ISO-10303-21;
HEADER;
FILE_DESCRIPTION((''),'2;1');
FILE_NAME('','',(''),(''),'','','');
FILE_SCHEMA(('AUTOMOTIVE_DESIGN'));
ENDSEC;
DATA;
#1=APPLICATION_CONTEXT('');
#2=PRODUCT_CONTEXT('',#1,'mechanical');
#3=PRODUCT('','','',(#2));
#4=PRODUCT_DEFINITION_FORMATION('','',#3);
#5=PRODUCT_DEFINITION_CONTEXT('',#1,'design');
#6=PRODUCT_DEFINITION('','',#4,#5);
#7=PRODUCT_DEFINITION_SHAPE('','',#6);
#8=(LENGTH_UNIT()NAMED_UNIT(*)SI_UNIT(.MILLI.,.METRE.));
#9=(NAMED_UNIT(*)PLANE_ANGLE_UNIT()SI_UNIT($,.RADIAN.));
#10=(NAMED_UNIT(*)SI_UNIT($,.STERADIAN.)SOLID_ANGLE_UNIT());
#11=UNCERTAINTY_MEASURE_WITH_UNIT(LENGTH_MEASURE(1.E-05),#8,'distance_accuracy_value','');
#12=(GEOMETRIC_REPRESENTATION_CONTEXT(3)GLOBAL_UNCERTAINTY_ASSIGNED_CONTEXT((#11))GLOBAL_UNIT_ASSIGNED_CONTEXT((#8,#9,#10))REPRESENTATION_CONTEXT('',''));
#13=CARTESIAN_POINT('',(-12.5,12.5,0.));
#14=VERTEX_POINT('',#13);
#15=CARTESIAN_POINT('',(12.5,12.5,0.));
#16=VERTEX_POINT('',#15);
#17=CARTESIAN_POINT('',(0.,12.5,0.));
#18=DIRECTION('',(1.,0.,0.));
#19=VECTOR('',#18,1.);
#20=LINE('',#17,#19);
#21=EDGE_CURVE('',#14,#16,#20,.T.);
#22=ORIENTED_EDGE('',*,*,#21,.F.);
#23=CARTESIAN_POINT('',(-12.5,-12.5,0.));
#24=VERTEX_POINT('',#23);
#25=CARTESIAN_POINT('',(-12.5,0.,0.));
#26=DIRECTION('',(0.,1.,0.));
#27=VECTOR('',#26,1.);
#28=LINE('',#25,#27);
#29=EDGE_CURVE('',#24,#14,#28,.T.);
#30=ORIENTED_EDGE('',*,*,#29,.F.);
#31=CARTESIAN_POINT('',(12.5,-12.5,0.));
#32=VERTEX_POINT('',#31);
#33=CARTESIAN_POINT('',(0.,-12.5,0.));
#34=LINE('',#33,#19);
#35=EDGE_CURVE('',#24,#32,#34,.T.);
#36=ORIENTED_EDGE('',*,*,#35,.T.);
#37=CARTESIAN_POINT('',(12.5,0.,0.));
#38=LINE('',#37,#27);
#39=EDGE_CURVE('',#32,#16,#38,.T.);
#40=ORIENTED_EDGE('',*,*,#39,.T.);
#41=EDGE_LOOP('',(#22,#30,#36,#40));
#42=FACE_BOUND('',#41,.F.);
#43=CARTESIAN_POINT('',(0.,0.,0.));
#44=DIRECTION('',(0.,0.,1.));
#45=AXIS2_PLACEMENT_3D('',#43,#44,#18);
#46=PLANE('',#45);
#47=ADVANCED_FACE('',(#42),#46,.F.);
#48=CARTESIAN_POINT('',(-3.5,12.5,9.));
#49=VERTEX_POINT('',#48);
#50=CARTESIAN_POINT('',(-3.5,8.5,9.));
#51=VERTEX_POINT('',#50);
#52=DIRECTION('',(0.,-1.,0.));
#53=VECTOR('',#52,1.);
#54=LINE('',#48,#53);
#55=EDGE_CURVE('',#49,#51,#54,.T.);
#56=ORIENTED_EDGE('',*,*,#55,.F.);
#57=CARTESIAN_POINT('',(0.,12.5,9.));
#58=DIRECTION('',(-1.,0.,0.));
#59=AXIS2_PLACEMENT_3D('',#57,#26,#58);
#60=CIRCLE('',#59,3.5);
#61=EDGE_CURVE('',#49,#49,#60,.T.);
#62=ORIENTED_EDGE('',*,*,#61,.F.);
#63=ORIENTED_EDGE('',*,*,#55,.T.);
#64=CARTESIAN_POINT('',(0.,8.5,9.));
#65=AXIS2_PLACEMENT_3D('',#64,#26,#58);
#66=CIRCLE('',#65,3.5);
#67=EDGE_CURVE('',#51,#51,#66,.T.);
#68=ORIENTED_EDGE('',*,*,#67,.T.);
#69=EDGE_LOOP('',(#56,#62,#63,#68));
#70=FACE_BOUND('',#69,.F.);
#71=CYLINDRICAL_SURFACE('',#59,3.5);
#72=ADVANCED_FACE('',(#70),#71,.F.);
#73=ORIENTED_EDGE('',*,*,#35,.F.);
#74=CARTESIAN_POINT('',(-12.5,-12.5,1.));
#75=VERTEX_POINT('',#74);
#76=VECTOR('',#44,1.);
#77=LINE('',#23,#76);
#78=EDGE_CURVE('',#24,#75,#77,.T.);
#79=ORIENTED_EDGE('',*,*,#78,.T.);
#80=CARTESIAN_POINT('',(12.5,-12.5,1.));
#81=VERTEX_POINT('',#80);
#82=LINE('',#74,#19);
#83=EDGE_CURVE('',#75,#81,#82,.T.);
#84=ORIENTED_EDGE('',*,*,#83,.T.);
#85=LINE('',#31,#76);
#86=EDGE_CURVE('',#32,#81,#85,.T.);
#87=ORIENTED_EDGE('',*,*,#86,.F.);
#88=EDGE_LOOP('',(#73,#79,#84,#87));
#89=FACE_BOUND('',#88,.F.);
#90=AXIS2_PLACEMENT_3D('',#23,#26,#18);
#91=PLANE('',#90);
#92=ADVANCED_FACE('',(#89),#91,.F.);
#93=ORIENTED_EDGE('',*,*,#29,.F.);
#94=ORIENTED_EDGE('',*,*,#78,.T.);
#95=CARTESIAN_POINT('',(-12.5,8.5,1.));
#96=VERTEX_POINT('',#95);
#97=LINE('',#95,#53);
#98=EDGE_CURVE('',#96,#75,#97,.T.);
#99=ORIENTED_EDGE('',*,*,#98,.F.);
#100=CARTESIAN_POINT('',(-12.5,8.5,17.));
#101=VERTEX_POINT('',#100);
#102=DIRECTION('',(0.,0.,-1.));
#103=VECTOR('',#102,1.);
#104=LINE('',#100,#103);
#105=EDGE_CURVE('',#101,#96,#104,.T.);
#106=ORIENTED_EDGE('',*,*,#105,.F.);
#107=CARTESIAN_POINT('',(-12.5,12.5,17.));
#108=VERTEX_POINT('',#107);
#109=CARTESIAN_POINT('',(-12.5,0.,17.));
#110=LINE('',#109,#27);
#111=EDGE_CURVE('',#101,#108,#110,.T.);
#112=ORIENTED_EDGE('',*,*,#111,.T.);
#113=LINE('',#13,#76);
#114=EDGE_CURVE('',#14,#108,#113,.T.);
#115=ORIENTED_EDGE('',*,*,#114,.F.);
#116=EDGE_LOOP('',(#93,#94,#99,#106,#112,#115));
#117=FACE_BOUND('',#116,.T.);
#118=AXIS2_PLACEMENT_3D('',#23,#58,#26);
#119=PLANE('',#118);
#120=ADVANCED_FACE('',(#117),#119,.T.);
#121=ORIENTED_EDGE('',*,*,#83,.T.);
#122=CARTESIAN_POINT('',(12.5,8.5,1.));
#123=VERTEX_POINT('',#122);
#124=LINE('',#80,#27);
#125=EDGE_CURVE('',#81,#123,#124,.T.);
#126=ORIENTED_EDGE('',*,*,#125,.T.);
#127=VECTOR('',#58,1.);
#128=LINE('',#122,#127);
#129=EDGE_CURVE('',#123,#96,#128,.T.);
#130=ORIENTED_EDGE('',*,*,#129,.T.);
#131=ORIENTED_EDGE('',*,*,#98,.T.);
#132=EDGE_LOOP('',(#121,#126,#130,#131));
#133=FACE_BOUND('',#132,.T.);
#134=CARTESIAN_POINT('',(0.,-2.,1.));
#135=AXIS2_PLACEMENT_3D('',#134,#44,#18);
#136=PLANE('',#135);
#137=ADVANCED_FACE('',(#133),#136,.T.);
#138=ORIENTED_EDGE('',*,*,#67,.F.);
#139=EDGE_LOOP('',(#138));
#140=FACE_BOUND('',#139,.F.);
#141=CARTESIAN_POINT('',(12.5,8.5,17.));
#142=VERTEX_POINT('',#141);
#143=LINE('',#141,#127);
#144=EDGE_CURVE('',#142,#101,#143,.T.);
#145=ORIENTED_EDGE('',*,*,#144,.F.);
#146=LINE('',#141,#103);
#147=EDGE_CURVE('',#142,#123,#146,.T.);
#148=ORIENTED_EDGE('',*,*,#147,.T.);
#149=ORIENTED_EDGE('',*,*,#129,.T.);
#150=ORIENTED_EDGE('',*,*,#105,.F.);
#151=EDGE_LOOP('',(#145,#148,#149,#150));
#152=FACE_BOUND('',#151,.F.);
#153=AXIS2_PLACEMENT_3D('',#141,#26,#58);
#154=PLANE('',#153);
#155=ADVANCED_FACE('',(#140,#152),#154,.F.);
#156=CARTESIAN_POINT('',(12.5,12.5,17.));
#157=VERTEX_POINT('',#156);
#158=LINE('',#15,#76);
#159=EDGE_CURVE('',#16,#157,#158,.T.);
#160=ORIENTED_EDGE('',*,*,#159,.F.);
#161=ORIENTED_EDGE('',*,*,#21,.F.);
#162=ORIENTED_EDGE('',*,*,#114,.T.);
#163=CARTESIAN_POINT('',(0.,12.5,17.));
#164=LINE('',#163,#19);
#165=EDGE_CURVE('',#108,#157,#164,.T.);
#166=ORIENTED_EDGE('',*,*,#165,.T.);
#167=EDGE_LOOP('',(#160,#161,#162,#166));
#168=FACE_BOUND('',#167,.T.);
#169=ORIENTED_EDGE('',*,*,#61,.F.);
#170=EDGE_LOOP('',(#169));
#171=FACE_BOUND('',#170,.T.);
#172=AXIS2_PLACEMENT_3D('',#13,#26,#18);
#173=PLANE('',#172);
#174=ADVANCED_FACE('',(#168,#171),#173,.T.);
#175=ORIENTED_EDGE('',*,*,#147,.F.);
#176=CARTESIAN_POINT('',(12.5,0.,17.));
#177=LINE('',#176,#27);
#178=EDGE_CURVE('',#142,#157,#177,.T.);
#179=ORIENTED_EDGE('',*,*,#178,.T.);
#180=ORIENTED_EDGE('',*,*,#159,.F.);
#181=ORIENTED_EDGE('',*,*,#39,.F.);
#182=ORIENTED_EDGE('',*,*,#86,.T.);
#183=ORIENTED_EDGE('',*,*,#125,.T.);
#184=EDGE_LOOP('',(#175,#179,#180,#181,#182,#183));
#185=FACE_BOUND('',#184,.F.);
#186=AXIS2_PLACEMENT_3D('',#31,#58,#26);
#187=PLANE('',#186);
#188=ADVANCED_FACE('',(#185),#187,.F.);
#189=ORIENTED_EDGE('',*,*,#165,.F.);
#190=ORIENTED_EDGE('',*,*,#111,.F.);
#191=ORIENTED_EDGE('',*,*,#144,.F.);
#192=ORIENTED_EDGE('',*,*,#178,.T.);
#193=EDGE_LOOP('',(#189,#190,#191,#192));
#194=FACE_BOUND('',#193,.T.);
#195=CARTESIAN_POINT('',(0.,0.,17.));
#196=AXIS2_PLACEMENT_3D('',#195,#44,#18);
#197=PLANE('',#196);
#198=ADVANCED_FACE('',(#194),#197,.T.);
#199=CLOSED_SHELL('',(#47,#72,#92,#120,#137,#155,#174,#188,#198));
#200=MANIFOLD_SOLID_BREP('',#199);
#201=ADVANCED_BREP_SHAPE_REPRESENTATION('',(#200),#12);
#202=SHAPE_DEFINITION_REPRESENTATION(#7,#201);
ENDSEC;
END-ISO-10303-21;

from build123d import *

# Parameters (mm, degrees)
F0_W     = 25
F0_H     = 25
F1_DEPTH = 17
F3_DEPTH = 16
F4_R     = 3.5
F5_DEPTH = 4


with BuildPart() as f1:
    # F0 (on Top) → F1 (new body)
    with BuildSketch(Plane.XY):
        Rectangle(F0_W, F0_H)
    extrude(amount=F1_DEPTH)

    # F2 (on face) → F3 (cut)
    with BuildSketch(Plane.XY.offset(17)):
        Polygon((-12.5, -12.5), (0, -12.5), (12.5, -12.5), (12.5, 8.5), (-12.5, 8.5), align=None)
    extrude(amount=-F3_DEPTH, mode=Mode.SUBTRACT)

    # F4 (on face) → F5 (cut, through all)
    with BuildSketch(Plane(origin=(0, 12.5, 0), x_dir=(-1, 0, 0), z_dir=(0, 1, 0))):
        with Locations((0, 9)):
            Circle(F4_R)
    extrude(amount=-F5_DEPTH, mode=Mode.SUBTRACT)


solid = f1.part
